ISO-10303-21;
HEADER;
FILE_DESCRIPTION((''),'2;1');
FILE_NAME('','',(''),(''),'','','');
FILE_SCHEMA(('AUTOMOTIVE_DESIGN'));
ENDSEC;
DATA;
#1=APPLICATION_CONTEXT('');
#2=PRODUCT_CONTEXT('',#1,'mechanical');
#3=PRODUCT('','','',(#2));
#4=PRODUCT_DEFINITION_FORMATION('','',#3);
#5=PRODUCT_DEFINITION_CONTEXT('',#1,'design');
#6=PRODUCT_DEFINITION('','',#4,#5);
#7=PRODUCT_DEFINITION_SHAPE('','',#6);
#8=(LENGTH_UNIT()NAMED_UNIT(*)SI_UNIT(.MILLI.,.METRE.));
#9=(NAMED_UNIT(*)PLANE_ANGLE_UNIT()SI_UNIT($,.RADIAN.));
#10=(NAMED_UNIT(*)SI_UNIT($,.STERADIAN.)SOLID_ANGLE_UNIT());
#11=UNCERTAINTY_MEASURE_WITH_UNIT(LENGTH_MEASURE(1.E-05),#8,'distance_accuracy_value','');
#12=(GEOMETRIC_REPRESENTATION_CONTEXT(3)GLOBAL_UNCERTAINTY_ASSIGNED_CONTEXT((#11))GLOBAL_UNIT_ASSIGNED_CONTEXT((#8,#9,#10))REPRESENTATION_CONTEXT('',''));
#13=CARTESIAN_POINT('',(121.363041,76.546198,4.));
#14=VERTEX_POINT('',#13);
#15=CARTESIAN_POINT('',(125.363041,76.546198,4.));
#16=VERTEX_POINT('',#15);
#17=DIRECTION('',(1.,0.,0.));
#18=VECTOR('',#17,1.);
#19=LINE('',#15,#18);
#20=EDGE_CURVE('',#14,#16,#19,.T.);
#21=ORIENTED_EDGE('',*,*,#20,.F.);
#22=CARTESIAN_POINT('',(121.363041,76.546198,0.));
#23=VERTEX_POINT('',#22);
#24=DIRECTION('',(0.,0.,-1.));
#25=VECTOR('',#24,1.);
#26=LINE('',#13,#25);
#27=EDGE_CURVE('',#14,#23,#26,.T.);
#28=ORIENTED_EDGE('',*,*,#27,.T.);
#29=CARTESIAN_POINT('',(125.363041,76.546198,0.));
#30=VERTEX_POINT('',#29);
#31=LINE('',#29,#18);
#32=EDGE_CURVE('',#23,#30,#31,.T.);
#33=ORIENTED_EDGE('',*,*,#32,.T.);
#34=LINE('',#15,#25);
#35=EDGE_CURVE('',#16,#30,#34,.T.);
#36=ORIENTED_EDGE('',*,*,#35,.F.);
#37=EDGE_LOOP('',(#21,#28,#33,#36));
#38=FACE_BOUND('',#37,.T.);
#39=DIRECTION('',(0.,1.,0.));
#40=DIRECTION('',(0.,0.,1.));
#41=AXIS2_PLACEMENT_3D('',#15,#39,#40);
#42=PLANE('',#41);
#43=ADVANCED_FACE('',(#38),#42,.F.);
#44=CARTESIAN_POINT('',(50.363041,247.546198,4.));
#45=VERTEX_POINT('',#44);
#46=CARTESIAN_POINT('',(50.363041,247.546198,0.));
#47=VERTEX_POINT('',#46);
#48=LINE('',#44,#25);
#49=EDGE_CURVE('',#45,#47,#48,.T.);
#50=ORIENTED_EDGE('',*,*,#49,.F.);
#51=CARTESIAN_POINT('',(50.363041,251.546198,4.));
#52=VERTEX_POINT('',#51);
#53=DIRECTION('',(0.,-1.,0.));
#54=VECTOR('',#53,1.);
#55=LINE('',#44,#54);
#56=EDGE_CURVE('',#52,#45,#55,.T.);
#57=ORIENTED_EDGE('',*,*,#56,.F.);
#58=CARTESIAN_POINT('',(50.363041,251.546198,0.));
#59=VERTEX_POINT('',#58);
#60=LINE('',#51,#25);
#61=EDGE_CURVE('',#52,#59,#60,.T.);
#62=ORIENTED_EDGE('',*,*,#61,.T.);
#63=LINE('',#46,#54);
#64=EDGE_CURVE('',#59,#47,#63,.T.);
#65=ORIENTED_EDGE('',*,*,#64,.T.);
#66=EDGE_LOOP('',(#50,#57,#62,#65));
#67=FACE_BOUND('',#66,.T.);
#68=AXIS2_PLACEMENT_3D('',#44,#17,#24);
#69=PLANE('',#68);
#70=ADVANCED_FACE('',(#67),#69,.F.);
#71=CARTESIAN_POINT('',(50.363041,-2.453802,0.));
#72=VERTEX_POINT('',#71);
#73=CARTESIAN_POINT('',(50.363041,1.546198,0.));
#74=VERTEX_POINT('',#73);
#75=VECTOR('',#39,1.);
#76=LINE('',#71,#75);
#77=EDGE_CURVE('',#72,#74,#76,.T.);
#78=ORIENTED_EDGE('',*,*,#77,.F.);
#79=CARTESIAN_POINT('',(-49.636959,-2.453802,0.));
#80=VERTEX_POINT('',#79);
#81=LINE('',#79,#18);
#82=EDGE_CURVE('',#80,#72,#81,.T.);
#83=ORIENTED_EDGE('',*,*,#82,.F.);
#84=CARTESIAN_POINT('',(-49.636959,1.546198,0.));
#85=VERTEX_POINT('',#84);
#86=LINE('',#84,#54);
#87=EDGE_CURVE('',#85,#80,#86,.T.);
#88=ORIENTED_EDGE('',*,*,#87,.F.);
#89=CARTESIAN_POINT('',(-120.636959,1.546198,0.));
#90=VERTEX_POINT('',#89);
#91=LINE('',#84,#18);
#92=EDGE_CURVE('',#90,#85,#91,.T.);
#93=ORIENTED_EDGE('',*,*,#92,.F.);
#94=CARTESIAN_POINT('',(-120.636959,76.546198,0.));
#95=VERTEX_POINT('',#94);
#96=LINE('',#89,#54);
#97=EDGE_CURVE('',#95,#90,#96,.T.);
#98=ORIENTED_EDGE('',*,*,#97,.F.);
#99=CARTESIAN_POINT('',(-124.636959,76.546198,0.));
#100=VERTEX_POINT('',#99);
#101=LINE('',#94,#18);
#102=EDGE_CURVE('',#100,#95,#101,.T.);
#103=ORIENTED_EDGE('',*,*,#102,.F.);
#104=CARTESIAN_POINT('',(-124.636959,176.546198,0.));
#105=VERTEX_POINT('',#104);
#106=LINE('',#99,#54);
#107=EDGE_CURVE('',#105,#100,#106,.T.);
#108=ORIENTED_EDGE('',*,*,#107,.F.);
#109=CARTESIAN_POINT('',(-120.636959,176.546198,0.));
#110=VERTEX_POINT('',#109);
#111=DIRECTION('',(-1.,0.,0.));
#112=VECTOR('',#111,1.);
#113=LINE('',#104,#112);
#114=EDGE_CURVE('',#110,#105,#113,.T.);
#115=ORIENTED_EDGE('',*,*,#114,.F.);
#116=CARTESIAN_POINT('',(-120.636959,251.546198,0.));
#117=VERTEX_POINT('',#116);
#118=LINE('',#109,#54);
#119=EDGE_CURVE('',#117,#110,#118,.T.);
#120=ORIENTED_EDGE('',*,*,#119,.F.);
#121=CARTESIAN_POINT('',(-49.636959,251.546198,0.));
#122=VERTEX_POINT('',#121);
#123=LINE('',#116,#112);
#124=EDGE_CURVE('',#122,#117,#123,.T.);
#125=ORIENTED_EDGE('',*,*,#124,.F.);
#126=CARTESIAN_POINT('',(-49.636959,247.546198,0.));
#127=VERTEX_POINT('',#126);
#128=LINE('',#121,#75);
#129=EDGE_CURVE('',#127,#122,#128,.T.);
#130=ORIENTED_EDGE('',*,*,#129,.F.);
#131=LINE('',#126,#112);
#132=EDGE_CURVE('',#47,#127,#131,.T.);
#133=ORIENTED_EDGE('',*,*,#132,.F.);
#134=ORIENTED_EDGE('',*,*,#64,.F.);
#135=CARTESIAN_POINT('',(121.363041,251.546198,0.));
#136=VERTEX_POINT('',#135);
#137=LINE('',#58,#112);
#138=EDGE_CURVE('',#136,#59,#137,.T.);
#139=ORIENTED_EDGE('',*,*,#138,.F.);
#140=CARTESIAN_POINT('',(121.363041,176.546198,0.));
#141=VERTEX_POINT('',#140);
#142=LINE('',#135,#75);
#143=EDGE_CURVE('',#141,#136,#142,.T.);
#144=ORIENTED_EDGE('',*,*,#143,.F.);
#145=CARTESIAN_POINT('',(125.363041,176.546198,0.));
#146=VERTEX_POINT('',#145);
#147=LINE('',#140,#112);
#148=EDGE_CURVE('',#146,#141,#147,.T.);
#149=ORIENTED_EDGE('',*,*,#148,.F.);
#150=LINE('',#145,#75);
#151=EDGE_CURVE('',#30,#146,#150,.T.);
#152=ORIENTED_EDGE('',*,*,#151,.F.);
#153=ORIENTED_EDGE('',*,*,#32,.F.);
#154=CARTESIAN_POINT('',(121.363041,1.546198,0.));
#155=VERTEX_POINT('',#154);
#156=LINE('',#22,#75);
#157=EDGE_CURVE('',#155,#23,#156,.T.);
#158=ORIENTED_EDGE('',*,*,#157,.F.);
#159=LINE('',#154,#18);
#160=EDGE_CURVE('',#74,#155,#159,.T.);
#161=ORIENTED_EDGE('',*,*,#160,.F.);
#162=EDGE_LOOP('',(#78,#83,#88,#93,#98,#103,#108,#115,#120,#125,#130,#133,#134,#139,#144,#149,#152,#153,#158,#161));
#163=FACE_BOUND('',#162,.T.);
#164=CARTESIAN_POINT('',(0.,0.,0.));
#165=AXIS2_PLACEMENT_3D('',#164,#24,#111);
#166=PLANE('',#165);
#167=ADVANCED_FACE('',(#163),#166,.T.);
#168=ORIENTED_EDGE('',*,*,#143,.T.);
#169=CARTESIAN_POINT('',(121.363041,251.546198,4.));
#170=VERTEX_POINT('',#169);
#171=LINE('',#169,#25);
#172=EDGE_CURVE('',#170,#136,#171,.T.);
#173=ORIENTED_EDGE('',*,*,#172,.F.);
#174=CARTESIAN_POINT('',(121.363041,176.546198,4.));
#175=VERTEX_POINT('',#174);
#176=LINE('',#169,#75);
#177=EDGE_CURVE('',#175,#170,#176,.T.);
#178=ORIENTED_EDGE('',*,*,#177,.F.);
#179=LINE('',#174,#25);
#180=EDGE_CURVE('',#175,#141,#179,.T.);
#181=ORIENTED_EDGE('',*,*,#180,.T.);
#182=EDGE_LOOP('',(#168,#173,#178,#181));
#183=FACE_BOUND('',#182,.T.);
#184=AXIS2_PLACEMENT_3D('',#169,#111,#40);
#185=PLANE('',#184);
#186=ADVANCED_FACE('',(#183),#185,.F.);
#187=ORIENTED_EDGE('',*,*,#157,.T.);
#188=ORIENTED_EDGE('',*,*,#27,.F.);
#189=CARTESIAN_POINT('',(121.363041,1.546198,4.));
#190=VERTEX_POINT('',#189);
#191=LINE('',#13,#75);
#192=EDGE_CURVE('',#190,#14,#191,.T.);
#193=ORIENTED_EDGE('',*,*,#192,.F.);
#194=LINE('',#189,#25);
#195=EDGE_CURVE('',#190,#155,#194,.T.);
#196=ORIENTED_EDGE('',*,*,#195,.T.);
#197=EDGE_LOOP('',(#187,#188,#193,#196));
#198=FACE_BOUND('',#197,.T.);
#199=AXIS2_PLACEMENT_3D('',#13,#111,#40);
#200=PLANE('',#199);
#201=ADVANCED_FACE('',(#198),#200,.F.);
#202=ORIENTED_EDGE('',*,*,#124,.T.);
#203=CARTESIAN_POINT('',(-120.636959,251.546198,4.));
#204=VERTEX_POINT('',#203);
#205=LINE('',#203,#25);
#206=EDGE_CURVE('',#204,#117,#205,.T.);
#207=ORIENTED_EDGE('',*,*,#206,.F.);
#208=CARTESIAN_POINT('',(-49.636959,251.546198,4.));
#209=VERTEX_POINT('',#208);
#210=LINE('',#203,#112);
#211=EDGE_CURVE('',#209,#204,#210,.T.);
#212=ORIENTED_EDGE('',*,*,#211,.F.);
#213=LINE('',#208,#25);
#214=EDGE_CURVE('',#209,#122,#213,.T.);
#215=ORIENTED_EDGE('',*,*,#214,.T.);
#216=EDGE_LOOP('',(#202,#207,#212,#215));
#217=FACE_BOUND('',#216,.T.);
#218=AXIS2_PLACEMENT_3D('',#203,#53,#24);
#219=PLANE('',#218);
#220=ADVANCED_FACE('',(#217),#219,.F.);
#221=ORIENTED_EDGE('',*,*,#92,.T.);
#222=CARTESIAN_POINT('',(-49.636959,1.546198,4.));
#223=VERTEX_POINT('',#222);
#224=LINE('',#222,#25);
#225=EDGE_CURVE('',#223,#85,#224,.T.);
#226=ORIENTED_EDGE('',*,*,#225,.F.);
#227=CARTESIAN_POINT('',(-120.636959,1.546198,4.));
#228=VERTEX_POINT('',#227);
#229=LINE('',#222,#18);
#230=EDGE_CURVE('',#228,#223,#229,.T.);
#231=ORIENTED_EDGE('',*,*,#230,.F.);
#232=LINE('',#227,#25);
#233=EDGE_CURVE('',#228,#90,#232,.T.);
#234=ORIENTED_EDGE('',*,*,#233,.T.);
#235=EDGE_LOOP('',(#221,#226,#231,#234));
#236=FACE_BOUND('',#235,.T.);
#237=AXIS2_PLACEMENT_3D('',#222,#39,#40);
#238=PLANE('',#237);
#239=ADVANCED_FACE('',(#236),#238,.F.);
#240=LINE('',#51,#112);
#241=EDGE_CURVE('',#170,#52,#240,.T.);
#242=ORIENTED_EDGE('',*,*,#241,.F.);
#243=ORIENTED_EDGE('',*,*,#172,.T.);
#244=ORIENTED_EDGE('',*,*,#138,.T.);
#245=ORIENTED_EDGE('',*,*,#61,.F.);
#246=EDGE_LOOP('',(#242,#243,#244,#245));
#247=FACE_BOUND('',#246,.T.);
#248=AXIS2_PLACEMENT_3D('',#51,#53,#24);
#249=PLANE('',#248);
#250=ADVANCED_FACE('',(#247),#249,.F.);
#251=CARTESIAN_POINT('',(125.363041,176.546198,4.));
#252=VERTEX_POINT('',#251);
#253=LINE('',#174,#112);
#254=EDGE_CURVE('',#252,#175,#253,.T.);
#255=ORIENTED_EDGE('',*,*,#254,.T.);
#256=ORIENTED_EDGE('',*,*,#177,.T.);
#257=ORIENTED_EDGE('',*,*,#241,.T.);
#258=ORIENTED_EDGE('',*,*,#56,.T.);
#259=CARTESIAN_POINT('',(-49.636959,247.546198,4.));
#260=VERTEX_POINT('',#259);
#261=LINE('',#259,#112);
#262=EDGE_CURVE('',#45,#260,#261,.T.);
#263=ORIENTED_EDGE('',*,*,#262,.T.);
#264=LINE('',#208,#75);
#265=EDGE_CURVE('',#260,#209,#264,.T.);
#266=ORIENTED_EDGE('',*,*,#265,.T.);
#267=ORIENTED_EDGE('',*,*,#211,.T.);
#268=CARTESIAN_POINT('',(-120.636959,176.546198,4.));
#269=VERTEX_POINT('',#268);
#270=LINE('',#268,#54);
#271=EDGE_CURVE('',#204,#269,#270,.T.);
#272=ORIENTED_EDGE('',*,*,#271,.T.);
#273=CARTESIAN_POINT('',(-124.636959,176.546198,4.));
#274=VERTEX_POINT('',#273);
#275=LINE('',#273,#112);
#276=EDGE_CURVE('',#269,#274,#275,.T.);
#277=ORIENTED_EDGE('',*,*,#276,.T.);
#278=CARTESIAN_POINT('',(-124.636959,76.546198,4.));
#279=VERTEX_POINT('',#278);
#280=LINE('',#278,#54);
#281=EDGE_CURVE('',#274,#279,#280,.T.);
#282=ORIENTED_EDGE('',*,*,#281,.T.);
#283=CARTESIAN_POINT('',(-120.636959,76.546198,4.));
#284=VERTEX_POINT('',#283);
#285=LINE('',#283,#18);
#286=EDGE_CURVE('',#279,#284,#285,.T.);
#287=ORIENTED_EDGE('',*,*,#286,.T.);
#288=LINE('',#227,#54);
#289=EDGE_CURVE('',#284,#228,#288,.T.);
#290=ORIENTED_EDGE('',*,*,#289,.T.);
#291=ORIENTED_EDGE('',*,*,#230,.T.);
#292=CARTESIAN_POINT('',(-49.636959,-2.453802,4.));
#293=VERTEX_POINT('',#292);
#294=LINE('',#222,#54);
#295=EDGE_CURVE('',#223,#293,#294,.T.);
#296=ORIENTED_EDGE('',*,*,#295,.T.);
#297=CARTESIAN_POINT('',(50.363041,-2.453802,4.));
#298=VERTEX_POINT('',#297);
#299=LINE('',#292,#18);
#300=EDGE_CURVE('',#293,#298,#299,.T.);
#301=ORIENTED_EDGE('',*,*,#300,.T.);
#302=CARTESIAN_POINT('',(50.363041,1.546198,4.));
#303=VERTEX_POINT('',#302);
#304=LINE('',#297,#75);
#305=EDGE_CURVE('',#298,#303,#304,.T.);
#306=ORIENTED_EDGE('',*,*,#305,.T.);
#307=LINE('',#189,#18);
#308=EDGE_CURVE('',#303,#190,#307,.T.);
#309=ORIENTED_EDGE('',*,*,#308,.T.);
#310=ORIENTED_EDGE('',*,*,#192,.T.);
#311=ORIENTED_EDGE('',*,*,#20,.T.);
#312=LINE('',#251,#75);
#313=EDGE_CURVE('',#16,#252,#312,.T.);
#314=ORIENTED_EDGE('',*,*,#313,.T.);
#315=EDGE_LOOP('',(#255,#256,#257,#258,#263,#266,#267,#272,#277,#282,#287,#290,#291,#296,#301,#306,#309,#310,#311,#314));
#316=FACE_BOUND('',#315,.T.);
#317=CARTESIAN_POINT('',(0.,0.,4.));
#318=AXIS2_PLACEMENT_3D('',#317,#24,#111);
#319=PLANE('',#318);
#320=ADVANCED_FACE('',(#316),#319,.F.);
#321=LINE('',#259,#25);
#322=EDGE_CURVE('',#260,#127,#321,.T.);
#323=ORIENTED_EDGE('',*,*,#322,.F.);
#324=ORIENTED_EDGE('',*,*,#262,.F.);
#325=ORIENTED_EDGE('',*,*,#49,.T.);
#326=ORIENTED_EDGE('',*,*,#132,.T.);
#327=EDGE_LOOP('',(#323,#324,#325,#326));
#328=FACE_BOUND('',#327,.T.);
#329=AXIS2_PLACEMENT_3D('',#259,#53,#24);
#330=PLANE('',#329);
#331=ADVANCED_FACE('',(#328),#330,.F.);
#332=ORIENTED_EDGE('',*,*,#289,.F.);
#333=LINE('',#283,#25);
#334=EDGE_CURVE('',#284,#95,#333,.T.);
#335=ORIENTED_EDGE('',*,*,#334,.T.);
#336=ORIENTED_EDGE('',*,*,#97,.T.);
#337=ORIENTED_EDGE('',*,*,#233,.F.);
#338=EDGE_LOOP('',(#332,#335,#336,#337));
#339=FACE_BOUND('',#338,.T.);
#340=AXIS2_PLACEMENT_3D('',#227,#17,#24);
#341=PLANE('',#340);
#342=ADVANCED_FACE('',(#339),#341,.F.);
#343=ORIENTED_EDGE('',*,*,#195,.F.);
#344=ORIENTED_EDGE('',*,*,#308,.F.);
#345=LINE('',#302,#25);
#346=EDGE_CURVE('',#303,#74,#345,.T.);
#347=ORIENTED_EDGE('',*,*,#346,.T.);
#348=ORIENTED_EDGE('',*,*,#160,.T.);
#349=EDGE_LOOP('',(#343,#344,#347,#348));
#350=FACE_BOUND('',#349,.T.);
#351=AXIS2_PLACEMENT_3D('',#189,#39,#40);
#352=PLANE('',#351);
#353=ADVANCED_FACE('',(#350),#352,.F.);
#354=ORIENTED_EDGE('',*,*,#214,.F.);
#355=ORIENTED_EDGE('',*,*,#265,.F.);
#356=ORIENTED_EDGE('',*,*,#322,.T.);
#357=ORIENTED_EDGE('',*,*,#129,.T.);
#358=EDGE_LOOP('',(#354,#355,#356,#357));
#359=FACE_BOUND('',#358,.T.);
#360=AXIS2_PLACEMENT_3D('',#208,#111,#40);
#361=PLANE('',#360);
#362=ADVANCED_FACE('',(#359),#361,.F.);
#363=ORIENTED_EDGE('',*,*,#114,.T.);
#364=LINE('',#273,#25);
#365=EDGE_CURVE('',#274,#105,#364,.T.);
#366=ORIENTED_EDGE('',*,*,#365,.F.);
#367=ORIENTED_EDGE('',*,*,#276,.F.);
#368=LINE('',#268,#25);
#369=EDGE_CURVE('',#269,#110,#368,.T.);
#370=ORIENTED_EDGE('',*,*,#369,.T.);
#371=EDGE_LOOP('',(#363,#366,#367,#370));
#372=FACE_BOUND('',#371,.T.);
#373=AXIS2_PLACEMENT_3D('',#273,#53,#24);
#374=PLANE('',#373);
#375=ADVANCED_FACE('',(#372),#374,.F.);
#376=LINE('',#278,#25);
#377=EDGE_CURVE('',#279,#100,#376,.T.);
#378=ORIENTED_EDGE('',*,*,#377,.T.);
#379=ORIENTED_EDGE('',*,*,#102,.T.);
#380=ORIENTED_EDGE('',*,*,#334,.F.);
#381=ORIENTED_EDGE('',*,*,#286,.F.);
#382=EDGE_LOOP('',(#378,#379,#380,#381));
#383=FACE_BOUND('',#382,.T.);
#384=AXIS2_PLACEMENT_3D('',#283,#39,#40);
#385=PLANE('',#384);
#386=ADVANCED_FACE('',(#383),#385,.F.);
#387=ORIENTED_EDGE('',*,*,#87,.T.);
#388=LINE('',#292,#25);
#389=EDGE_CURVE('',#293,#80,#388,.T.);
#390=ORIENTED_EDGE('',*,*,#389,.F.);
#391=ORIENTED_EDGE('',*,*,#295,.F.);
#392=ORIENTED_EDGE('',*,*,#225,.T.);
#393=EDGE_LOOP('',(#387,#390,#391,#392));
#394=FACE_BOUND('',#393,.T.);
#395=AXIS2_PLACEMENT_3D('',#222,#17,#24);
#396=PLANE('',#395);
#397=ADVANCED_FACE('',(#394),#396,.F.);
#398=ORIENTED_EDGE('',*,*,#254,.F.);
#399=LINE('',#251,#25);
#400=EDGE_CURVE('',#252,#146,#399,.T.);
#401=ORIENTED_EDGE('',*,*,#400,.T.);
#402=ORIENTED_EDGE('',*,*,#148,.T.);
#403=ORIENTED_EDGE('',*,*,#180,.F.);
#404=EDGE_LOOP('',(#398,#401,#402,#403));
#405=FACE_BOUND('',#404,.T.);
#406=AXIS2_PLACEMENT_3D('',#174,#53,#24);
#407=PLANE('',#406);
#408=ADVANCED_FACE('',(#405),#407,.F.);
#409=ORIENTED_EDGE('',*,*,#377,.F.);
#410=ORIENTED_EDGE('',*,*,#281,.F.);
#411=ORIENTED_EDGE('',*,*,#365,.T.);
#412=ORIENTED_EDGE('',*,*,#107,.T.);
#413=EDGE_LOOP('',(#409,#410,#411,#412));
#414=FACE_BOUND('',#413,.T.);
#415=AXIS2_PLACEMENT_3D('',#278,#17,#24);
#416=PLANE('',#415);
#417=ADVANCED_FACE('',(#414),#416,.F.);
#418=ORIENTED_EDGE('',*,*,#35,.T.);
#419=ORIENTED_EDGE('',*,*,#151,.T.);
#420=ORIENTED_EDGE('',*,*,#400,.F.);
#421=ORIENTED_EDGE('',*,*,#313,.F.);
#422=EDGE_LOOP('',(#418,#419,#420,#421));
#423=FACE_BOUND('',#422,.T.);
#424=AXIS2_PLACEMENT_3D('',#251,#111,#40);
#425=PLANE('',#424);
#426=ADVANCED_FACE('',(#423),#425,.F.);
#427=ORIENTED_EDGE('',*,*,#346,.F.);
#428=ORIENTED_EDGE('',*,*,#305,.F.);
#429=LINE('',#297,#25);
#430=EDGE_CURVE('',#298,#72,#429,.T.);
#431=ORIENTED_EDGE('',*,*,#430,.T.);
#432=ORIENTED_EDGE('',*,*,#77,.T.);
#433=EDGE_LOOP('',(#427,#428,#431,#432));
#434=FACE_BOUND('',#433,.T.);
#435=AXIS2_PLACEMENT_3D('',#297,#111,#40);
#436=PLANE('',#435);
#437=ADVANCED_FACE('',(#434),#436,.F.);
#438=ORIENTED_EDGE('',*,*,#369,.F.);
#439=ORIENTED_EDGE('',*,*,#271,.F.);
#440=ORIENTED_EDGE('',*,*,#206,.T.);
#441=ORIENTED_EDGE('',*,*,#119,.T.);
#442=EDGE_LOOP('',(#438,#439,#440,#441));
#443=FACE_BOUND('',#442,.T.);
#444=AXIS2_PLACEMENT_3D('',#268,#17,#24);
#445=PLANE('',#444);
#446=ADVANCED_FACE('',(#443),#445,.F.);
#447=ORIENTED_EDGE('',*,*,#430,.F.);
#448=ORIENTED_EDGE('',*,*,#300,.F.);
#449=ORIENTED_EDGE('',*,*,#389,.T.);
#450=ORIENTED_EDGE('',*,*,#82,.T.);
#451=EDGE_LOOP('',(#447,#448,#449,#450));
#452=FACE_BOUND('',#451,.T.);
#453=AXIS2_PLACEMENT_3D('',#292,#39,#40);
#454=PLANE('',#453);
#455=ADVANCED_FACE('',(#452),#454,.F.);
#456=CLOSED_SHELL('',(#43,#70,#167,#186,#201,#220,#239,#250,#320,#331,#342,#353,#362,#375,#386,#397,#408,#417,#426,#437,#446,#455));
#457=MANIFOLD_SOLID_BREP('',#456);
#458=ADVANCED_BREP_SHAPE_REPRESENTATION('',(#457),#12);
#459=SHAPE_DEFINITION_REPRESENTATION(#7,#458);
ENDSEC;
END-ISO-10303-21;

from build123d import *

# Parameters (mm, degrees)
BOSS_EXTRUDE1_DEPTH = 4


with BuildPart() as part:
    # Sketch1 → Boss-Extrude1 (new body)
    with BuildSketch(Plane.XY):
        Polygon((-49.636958624, 1.54619828), (-49.636958624, -2.45380172), (50.363041376, -2.45380172), (50.363041376, 1.54619828), (121.363041376, 1.54619828), (121.363041376, 76.54619828), (125.363041376, 76.54619828), (125.363041376, 176.54619828), (121.363041376, 176.54619828), (121.363041376, 251.54619828), (50.363041376, 251.54619828), (50.363041376, 247.54619828), (-49.636958624, 247.54619828), (-49.636958624, 251.54619828), (-120.636958624, 251.54619828), (-120.636958624, 176.54619828), (-124.636958624, 176.54619828), (-124.636958624, 76.54619828), (-120.636958624, 76.54619828), (-120.636958624, 1.54619828), align=None)
    extrude(amount=BOSS_EXTRUDE1_DEPTH)


solid = part.part
